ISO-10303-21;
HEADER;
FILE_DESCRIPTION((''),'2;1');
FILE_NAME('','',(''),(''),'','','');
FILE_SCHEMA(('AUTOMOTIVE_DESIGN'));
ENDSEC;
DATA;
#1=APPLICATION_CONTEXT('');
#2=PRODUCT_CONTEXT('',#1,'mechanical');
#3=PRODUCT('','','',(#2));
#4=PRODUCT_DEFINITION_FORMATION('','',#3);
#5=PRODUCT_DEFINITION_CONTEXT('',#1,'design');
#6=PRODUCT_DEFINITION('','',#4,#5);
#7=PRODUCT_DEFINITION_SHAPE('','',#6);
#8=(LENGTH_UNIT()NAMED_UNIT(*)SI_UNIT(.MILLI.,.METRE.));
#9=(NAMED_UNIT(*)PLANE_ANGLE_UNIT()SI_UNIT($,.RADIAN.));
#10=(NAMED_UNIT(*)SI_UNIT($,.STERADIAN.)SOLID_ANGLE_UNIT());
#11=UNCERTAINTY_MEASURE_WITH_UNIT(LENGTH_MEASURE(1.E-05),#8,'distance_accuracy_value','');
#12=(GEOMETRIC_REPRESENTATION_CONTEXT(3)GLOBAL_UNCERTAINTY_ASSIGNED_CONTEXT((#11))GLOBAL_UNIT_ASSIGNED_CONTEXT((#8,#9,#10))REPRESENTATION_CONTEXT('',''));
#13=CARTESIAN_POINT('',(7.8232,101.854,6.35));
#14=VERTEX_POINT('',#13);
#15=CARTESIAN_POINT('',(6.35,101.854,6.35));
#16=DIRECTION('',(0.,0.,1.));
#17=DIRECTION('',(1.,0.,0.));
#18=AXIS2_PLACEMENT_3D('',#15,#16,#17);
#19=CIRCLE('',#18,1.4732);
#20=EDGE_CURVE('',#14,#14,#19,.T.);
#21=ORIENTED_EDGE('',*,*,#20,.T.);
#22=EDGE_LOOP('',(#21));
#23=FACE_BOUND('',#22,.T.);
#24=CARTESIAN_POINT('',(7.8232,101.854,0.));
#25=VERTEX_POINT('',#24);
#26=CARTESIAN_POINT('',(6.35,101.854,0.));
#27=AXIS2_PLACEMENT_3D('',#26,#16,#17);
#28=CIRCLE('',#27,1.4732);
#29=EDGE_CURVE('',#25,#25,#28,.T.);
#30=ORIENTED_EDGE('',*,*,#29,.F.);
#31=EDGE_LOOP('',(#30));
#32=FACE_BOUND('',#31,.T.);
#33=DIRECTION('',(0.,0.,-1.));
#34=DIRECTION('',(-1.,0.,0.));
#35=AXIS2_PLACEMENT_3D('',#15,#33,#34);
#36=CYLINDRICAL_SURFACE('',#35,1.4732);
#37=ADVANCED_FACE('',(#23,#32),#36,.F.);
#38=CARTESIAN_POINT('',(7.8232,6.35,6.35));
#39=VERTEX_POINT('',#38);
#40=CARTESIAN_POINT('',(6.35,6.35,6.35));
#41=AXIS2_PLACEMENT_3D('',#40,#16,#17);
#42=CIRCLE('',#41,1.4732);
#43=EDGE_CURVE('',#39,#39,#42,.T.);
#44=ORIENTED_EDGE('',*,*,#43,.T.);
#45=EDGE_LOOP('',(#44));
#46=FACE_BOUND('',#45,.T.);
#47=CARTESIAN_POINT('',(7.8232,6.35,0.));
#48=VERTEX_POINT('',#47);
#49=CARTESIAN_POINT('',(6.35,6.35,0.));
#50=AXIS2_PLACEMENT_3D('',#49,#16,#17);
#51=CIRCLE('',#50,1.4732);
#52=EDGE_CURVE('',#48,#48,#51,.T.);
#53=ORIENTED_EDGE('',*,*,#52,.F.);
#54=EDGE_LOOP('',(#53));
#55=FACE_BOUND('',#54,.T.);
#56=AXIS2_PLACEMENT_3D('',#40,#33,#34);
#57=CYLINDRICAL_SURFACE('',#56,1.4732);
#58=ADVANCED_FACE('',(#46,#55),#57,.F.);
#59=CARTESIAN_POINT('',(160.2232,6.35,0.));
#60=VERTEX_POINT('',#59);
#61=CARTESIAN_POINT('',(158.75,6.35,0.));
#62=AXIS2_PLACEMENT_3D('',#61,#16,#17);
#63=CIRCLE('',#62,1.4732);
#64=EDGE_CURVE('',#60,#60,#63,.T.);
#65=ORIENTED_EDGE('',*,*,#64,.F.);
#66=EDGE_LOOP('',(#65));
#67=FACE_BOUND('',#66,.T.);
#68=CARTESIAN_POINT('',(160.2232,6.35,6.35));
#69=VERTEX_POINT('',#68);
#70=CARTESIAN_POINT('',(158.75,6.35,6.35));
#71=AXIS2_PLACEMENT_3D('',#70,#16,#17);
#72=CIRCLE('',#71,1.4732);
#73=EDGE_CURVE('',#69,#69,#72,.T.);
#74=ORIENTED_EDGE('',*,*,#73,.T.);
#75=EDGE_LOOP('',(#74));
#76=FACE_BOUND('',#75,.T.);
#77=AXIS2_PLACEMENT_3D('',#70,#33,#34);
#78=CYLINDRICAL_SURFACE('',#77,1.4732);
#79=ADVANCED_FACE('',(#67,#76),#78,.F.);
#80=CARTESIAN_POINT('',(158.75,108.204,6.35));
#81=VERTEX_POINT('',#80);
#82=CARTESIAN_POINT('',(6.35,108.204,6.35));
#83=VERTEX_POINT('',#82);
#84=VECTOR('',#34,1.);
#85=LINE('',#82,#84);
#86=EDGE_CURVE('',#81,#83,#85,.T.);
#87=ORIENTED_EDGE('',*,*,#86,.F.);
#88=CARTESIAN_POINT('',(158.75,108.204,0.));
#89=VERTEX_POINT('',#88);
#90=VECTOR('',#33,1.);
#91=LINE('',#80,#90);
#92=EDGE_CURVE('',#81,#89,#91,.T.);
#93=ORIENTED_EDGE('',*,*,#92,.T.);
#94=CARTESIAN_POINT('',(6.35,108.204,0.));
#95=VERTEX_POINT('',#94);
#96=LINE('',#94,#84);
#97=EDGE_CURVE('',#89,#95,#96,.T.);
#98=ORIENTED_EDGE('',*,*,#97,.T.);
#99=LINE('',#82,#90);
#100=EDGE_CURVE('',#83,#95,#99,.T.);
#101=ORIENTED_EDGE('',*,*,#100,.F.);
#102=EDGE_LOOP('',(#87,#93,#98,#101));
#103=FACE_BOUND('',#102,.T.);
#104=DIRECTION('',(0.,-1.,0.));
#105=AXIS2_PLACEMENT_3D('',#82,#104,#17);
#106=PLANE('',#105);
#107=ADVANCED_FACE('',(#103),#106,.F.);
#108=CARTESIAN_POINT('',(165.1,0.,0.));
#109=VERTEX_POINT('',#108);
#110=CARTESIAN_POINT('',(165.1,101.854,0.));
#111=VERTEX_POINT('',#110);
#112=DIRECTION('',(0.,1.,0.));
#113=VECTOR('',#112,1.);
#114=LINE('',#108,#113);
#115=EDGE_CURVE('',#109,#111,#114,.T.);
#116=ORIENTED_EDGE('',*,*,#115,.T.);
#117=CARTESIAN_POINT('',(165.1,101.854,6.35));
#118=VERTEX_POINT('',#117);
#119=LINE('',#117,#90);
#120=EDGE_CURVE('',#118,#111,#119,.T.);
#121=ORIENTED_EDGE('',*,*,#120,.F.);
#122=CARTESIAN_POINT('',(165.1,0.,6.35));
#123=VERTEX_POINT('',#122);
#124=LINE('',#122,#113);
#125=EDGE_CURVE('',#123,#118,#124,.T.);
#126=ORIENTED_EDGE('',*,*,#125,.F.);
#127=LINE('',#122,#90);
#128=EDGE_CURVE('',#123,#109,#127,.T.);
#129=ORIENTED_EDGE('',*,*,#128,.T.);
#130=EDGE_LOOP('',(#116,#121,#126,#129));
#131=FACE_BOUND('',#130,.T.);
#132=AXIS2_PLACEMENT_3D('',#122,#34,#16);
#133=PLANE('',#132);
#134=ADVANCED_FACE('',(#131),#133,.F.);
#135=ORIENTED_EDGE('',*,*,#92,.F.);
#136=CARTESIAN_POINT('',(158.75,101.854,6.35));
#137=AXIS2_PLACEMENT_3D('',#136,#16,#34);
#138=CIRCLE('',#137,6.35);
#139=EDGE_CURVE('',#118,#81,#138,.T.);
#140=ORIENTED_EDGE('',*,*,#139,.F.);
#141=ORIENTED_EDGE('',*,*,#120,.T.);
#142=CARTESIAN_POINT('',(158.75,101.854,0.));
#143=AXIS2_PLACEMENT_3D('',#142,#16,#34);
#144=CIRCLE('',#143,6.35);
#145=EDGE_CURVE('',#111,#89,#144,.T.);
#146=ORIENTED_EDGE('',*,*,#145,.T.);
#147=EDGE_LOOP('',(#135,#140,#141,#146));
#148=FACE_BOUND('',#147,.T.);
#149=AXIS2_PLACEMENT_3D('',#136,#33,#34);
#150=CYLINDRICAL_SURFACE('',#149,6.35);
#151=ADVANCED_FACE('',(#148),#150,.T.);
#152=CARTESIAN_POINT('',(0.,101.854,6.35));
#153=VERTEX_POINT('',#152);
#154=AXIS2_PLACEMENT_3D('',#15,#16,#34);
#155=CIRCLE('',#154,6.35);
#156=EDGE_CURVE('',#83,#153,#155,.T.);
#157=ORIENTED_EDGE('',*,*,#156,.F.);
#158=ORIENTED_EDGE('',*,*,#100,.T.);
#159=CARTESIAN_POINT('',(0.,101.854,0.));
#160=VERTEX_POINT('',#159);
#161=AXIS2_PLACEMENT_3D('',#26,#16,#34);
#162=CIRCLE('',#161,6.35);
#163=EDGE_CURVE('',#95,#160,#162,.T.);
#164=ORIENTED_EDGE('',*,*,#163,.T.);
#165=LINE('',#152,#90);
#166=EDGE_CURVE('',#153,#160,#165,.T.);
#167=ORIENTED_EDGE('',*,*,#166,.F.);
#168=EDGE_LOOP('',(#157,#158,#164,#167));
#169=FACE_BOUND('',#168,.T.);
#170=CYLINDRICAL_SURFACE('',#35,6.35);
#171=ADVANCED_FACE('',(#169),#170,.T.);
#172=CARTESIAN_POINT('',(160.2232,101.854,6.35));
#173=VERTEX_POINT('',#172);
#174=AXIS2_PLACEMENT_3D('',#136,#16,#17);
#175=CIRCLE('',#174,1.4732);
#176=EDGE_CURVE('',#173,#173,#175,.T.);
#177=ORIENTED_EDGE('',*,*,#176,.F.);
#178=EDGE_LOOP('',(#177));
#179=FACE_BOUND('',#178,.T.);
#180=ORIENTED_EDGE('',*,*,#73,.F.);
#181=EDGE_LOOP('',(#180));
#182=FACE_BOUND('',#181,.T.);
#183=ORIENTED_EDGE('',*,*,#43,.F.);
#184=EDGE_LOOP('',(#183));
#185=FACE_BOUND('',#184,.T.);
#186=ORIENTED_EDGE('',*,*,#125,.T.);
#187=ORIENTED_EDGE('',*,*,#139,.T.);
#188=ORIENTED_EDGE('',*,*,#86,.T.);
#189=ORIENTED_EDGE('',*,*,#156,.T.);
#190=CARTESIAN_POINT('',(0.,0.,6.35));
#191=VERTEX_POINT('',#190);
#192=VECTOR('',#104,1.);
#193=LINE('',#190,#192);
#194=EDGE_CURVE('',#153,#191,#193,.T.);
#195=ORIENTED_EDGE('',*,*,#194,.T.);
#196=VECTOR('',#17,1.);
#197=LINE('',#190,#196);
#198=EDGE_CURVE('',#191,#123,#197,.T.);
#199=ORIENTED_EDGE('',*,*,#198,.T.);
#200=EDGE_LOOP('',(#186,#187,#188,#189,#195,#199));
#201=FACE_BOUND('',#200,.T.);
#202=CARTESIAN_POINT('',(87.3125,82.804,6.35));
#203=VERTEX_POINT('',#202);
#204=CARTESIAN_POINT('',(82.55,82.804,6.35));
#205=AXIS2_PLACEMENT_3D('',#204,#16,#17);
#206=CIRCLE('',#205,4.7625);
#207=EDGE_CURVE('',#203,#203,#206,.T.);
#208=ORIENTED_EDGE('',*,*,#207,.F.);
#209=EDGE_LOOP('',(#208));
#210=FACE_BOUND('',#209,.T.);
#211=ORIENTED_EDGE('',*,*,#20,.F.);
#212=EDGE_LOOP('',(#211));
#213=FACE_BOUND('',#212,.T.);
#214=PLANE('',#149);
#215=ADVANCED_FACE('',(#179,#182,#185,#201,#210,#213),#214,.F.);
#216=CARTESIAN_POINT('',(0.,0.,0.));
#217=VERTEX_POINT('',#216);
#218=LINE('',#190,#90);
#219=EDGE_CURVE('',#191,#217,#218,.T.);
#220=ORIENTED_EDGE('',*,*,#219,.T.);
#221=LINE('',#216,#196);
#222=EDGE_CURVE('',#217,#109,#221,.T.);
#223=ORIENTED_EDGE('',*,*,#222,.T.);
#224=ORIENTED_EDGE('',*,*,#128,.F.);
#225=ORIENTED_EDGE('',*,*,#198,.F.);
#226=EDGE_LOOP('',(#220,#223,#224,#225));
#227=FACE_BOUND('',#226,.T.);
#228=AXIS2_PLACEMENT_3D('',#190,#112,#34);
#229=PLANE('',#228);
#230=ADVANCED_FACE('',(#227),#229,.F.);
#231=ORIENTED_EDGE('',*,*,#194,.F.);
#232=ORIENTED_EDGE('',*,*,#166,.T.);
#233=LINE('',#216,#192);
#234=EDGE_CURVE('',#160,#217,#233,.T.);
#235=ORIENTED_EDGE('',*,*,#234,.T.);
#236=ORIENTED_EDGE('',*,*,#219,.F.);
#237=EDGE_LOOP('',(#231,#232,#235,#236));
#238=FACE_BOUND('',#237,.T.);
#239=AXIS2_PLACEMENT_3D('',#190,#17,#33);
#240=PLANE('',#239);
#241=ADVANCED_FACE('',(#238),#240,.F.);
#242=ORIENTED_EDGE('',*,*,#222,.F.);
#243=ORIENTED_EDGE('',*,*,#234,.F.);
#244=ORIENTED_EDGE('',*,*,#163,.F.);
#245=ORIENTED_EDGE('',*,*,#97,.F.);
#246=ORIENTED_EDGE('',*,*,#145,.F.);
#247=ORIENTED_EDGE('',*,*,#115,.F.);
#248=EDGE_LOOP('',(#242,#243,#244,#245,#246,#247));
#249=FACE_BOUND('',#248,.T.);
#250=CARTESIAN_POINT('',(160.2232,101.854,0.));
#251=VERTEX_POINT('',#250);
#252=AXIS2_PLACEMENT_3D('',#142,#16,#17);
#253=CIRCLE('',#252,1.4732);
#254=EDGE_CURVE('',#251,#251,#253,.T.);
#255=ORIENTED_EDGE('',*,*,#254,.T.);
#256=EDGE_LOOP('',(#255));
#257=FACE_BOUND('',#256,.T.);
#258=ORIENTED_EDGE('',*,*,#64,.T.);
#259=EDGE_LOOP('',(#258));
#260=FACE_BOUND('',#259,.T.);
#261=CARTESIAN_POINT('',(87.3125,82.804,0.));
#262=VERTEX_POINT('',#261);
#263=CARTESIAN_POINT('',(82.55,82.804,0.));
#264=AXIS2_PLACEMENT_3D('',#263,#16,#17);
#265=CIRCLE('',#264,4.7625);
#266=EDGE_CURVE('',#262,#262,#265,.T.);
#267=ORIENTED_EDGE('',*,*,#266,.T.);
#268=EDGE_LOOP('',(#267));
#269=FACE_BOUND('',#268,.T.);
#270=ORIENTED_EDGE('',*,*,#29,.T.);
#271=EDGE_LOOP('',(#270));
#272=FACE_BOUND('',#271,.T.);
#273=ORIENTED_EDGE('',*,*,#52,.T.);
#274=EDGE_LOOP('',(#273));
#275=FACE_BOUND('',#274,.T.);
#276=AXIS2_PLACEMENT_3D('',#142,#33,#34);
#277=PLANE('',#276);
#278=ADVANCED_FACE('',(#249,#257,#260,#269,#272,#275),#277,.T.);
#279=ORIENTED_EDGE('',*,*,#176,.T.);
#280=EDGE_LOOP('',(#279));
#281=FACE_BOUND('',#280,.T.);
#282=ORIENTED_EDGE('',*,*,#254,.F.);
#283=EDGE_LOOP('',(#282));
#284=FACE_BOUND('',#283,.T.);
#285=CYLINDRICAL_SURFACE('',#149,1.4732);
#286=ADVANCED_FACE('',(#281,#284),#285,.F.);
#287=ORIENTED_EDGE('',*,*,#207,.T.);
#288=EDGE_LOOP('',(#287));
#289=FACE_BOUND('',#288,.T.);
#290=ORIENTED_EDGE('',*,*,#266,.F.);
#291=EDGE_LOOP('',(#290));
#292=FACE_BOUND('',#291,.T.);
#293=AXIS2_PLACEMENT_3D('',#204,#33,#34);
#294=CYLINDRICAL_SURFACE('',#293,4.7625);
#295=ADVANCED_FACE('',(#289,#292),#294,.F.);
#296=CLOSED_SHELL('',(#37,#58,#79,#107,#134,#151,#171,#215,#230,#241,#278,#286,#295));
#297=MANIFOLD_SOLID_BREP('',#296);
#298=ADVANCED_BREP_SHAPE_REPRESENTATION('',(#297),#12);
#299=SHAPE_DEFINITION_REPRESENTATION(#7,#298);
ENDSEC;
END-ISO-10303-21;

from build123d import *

# Parameters (mm, degrees)
SKETCH1_R           = 1.4732
SKETCH1_R_2         = 4.7625
BOSS_EXTRUDE1_DEPTH = 6.35


with BuildPart() as part:
    # Sketch1 → Boss-Extrude1 (new body)
    with BuildSketch(Plane.XY):
        with BuildLine():
            Line((0, 0), (0, 101.854))
            ThreePointArc((0, 101.854), (1.859871939, 106.344128061), (6.35, 108.204))
            Line((6.35, 108.204), (158.75, 108.204))
            ThreePointArc((158.75, 108.204), (163.240128061, 106.344128061), (165.1, 101.854))
            Line((165.1, 101.854), (165.1, 0))
            Line((165.1, 0), (0, 0))
        make_face()
        with Locations((6.35, 6.35)):
            Circle(SKETCH1_R, mode=Mode.SUBTRACT)
        with Locations((158.75, 6.35)):
            Circle(SKETCH1_R, mode=Mode.SUBTRACT)
        with Locations((158.75, 101.854)):
            Circle(SKETCH1_R, mode=Mode.SUBTRACT)
        with Locations((6.35, 101.854)):
            Circle(SKETCH1_R, mode=Mode.SUBTRACT)
        with Locations((82.55, 82.804)):
            Circle(SKETCH1_R_2, mode=Mode.SUBTRACT)
    extrude(amount=BOSS_EXTRUDE1_DEPTH)


solid = part.part
